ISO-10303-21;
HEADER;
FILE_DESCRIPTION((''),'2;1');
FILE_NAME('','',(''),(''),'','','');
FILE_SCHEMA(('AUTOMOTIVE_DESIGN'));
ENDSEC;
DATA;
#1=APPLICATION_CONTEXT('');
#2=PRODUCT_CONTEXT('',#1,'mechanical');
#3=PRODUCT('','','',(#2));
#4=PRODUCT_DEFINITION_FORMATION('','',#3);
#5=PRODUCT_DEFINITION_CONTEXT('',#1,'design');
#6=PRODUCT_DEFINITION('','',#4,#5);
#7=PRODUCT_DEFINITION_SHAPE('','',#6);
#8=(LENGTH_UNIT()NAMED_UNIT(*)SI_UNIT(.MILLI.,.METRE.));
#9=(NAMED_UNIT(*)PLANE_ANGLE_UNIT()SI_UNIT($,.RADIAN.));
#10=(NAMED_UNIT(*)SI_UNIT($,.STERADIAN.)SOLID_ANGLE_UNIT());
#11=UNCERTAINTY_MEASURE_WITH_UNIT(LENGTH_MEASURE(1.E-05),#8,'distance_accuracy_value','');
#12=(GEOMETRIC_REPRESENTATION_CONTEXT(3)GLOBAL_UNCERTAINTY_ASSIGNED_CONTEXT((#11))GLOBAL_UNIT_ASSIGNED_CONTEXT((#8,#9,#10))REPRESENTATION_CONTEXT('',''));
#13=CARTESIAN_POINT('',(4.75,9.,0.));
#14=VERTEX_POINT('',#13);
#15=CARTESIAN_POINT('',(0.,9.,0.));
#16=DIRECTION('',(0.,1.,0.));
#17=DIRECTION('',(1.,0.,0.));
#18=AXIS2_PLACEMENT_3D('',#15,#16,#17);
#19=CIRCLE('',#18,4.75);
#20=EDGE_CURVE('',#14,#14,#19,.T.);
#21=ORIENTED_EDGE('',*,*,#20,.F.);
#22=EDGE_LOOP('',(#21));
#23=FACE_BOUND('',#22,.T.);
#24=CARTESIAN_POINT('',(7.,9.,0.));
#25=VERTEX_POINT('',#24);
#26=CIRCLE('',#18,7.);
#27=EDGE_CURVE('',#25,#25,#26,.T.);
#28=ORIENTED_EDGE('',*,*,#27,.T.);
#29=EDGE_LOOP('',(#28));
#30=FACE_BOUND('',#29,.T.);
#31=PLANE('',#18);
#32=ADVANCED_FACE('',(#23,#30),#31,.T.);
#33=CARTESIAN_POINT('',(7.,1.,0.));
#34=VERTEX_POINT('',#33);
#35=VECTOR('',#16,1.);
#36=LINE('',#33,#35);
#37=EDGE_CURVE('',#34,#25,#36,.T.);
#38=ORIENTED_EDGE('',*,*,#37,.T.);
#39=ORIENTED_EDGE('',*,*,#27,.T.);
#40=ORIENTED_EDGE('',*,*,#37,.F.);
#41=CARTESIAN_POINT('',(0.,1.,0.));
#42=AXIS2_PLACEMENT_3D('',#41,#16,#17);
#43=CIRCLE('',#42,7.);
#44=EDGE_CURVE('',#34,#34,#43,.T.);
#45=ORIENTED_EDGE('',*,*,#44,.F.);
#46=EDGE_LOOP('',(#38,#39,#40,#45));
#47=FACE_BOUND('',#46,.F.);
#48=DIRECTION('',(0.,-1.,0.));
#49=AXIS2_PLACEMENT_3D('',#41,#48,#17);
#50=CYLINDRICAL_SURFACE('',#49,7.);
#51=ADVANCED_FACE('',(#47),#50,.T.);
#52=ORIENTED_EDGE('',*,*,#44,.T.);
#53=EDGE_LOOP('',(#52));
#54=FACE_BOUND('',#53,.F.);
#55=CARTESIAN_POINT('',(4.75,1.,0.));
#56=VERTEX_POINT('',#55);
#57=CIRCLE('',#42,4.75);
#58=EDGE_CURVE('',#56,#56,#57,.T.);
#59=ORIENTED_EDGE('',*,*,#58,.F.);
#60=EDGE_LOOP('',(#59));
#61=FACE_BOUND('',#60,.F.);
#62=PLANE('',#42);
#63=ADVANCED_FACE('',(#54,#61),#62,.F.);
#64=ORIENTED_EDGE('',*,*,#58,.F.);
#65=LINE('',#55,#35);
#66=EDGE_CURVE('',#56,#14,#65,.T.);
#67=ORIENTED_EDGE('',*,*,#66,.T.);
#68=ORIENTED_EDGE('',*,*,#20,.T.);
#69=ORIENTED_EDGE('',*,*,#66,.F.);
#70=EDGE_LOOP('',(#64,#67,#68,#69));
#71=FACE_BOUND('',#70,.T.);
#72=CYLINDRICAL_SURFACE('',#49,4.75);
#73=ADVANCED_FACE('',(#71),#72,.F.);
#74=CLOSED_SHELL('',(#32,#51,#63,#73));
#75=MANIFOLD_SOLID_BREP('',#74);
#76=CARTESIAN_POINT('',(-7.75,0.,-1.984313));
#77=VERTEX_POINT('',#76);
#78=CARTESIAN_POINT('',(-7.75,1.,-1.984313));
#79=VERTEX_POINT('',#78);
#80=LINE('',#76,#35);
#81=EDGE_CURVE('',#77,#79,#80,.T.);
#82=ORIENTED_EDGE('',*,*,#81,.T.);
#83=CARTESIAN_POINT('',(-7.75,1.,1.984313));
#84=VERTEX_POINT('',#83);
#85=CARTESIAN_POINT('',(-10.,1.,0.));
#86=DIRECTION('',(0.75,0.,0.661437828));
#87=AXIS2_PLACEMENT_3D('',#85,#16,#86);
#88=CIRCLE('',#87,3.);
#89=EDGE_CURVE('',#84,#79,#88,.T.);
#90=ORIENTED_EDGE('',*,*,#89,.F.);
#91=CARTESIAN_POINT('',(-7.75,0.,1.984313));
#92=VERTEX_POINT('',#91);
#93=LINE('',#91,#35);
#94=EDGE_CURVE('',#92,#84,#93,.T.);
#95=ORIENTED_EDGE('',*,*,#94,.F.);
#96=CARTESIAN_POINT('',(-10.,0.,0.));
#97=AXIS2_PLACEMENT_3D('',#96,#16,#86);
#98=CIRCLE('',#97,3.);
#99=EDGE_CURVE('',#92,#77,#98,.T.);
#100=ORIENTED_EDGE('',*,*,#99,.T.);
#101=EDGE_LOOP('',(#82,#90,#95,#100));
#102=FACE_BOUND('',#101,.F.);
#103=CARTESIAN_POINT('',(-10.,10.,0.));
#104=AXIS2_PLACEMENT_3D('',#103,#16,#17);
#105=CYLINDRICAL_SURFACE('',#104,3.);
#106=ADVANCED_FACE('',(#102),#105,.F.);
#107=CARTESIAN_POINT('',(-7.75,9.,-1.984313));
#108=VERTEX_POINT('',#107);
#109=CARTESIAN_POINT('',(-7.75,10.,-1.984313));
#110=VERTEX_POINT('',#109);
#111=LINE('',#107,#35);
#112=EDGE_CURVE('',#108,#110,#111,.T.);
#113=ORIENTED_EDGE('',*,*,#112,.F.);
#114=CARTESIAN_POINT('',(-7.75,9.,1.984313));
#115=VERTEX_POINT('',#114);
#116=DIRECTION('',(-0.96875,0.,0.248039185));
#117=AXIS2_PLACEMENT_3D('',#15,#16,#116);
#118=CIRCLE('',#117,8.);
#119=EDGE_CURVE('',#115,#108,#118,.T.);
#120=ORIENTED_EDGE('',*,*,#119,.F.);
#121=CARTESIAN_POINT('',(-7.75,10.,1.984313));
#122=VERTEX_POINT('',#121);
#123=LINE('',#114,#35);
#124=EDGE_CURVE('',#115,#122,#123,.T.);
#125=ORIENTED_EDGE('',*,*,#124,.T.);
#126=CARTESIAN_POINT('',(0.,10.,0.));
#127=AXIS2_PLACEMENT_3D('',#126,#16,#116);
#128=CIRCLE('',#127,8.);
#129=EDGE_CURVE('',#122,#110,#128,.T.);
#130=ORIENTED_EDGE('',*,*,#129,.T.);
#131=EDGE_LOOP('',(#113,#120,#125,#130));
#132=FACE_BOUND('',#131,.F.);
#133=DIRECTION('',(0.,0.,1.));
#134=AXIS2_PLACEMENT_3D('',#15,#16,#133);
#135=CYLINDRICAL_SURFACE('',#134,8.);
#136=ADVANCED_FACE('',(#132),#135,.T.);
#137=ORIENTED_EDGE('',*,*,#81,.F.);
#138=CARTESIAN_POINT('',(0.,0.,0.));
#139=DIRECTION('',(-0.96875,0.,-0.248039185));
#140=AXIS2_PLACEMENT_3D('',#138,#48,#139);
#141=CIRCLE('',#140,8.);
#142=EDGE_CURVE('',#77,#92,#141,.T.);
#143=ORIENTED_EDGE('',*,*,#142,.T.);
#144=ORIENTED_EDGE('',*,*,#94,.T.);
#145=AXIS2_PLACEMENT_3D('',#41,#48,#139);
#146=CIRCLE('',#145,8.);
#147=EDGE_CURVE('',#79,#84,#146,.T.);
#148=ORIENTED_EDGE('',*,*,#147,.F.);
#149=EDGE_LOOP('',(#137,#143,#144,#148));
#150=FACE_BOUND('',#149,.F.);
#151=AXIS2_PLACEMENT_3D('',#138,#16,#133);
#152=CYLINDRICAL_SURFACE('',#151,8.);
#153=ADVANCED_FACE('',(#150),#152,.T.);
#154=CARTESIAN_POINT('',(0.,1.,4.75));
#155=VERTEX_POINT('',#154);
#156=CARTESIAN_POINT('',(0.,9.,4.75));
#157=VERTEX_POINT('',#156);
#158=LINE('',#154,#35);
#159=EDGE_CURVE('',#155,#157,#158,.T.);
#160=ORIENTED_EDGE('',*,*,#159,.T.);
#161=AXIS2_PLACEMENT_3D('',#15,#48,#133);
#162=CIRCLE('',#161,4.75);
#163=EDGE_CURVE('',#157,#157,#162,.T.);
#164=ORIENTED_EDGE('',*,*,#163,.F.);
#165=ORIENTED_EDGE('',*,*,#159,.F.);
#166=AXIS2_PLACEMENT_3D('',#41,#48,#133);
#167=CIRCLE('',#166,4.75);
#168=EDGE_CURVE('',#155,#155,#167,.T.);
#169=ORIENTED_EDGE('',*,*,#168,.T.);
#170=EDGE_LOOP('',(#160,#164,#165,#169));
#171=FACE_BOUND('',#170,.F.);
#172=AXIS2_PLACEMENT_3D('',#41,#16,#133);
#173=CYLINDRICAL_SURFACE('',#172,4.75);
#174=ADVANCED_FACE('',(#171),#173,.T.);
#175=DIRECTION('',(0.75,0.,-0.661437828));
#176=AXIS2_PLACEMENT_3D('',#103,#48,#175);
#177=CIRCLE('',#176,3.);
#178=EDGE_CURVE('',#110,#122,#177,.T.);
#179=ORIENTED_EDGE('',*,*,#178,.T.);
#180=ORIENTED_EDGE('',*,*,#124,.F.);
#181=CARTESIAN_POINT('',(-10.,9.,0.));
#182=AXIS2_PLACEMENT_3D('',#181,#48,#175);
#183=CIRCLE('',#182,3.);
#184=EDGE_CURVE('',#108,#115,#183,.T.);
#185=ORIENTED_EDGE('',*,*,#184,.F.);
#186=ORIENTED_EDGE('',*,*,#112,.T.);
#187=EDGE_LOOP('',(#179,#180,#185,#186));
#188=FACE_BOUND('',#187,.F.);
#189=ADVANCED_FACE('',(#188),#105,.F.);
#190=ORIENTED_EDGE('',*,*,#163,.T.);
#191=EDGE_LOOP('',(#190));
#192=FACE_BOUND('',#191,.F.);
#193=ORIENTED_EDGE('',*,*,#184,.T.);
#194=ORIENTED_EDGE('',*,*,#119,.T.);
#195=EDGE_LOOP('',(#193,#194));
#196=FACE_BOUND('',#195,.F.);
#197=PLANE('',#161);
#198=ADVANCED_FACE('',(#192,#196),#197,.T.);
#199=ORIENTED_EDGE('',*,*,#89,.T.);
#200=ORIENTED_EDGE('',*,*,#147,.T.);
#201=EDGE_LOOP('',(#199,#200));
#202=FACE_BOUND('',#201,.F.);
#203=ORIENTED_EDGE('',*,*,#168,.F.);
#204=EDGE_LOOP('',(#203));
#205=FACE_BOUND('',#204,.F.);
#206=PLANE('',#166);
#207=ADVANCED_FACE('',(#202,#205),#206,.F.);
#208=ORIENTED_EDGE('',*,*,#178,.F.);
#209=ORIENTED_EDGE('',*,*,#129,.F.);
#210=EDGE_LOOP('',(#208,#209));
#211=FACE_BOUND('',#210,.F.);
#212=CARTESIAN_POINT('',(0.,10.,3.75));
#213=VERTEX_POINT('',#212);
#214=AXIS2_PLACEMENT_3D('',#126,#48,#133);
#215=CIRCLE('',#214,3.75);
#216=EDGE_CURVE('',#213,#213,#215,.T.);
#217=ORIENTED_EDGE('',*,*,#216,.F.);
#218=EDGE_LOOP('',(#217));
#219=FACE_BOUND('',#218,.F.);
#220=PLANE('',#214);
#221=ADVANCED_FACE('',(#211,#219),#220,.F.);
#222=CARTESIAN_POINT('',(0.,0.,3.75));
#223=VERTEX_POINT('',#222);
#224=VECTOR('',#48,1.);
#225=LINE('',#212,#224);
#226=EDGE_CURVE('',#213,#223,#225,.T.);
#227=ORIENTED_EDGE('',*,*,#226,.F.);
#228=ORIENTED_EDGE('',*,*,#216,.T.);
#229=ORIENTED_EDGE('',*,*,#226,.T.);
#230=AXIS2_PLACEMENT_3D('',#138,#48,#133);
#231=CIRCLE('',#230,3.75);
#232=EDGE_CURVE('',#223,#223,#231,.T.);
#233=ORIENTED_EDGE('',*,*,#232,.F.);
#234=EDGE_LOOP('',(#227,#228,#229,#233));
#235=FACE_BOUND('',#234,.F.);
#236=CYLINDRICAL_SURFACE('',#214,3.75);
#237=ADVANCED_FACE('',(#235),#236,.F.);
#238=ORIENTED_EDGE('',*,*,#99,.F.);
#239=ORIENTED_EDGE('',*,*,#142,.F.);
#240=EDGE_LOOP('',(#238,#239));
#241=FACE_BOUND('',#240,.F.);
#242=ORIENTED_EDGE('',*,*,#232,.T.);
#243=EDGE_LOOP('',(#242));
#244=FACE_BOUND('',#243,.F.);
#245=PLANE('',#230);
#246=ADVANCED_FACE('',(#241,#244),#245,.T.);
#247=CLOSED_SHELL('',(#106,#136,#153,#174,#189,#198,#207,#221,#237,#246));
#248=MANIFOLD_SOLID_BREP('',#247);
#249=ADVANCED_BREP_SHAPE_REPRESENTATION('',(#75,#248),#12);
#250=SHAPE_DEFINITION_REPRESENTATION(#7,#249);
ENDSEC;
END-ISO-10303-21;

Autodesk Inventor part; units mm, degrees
ref_plane "YZ Plane" through (0, 0, 0) normal (1, 0, 0) x (0, 1, 0)
ref_plane "XZ Plane" through (0, 0, 0) normal (0, 1, 0) x (-1, 0, 0)
ref_plane "XY Plane" through (0, 0, 0) normal (0, 0, 1) x (1, 0, 0)
sketch "Эскиз1" plane through (0, 0, 0) normal (1, 0, 0) x (0, 1, 0)
  line L0 (0, 0) -> (0, 3.75) construction
  line L1 (0, 3.75) -> (0, 8)
  line L2 (0, 8) -> (1, 8)
  line L3 (1, 8) -> (1, 4.75)
  line L4 (1, 4.75) -> (9, 4.75)
  line L5 (9, 4.75) -> (9, 8)
  line L6 (9, 8) -> (10, 8)
  line L7 (10, 8) -> (10, 3.75)
  line L8 (10, 3.75) -> (0, 3.75)
  line L9 (13.294, 0) -> (-4.7382, 0) construction
  dimension "d0" = 3.75
  dimension "d1" = 4.25
  dimension "d2" = 1
  dimension "d3" = 3.25
  dimension "d4" = 8
  dimension "d5" = 1
  dimension "d6" = 4.25
revolve "Вращение1" add sketch "Эскиз1" angle 360 about axis through (0, 13.294, 0) along (0, -1, 0)
sketch "Эскиз2" plane through (0, 10, 0) normal (0, 1, 0) x (1, 0, 0)
  line L0 (0, 0) -> (-10, 0) construction
  circle A0 centre (-10, 0) radius 3
  dimension "d8" = 10
  dimension "d9" = 6
extrude "Выдавливание1" cut sketch "Эскиз2" against normal blind 10
sketch "Эскиз3" plane through (0, 1, 0) normal (0, 1, 0) x (1, 0, 0)
  circle A0 centre (0, 0) radius 7
  circle A1 centre (0, 0) radius 4.75
  dimension "d12" = 14
extrude "Выдавливание2" add sketch "Эскиз3" along normal blind 8 separate body
properties part number "Катушка"
